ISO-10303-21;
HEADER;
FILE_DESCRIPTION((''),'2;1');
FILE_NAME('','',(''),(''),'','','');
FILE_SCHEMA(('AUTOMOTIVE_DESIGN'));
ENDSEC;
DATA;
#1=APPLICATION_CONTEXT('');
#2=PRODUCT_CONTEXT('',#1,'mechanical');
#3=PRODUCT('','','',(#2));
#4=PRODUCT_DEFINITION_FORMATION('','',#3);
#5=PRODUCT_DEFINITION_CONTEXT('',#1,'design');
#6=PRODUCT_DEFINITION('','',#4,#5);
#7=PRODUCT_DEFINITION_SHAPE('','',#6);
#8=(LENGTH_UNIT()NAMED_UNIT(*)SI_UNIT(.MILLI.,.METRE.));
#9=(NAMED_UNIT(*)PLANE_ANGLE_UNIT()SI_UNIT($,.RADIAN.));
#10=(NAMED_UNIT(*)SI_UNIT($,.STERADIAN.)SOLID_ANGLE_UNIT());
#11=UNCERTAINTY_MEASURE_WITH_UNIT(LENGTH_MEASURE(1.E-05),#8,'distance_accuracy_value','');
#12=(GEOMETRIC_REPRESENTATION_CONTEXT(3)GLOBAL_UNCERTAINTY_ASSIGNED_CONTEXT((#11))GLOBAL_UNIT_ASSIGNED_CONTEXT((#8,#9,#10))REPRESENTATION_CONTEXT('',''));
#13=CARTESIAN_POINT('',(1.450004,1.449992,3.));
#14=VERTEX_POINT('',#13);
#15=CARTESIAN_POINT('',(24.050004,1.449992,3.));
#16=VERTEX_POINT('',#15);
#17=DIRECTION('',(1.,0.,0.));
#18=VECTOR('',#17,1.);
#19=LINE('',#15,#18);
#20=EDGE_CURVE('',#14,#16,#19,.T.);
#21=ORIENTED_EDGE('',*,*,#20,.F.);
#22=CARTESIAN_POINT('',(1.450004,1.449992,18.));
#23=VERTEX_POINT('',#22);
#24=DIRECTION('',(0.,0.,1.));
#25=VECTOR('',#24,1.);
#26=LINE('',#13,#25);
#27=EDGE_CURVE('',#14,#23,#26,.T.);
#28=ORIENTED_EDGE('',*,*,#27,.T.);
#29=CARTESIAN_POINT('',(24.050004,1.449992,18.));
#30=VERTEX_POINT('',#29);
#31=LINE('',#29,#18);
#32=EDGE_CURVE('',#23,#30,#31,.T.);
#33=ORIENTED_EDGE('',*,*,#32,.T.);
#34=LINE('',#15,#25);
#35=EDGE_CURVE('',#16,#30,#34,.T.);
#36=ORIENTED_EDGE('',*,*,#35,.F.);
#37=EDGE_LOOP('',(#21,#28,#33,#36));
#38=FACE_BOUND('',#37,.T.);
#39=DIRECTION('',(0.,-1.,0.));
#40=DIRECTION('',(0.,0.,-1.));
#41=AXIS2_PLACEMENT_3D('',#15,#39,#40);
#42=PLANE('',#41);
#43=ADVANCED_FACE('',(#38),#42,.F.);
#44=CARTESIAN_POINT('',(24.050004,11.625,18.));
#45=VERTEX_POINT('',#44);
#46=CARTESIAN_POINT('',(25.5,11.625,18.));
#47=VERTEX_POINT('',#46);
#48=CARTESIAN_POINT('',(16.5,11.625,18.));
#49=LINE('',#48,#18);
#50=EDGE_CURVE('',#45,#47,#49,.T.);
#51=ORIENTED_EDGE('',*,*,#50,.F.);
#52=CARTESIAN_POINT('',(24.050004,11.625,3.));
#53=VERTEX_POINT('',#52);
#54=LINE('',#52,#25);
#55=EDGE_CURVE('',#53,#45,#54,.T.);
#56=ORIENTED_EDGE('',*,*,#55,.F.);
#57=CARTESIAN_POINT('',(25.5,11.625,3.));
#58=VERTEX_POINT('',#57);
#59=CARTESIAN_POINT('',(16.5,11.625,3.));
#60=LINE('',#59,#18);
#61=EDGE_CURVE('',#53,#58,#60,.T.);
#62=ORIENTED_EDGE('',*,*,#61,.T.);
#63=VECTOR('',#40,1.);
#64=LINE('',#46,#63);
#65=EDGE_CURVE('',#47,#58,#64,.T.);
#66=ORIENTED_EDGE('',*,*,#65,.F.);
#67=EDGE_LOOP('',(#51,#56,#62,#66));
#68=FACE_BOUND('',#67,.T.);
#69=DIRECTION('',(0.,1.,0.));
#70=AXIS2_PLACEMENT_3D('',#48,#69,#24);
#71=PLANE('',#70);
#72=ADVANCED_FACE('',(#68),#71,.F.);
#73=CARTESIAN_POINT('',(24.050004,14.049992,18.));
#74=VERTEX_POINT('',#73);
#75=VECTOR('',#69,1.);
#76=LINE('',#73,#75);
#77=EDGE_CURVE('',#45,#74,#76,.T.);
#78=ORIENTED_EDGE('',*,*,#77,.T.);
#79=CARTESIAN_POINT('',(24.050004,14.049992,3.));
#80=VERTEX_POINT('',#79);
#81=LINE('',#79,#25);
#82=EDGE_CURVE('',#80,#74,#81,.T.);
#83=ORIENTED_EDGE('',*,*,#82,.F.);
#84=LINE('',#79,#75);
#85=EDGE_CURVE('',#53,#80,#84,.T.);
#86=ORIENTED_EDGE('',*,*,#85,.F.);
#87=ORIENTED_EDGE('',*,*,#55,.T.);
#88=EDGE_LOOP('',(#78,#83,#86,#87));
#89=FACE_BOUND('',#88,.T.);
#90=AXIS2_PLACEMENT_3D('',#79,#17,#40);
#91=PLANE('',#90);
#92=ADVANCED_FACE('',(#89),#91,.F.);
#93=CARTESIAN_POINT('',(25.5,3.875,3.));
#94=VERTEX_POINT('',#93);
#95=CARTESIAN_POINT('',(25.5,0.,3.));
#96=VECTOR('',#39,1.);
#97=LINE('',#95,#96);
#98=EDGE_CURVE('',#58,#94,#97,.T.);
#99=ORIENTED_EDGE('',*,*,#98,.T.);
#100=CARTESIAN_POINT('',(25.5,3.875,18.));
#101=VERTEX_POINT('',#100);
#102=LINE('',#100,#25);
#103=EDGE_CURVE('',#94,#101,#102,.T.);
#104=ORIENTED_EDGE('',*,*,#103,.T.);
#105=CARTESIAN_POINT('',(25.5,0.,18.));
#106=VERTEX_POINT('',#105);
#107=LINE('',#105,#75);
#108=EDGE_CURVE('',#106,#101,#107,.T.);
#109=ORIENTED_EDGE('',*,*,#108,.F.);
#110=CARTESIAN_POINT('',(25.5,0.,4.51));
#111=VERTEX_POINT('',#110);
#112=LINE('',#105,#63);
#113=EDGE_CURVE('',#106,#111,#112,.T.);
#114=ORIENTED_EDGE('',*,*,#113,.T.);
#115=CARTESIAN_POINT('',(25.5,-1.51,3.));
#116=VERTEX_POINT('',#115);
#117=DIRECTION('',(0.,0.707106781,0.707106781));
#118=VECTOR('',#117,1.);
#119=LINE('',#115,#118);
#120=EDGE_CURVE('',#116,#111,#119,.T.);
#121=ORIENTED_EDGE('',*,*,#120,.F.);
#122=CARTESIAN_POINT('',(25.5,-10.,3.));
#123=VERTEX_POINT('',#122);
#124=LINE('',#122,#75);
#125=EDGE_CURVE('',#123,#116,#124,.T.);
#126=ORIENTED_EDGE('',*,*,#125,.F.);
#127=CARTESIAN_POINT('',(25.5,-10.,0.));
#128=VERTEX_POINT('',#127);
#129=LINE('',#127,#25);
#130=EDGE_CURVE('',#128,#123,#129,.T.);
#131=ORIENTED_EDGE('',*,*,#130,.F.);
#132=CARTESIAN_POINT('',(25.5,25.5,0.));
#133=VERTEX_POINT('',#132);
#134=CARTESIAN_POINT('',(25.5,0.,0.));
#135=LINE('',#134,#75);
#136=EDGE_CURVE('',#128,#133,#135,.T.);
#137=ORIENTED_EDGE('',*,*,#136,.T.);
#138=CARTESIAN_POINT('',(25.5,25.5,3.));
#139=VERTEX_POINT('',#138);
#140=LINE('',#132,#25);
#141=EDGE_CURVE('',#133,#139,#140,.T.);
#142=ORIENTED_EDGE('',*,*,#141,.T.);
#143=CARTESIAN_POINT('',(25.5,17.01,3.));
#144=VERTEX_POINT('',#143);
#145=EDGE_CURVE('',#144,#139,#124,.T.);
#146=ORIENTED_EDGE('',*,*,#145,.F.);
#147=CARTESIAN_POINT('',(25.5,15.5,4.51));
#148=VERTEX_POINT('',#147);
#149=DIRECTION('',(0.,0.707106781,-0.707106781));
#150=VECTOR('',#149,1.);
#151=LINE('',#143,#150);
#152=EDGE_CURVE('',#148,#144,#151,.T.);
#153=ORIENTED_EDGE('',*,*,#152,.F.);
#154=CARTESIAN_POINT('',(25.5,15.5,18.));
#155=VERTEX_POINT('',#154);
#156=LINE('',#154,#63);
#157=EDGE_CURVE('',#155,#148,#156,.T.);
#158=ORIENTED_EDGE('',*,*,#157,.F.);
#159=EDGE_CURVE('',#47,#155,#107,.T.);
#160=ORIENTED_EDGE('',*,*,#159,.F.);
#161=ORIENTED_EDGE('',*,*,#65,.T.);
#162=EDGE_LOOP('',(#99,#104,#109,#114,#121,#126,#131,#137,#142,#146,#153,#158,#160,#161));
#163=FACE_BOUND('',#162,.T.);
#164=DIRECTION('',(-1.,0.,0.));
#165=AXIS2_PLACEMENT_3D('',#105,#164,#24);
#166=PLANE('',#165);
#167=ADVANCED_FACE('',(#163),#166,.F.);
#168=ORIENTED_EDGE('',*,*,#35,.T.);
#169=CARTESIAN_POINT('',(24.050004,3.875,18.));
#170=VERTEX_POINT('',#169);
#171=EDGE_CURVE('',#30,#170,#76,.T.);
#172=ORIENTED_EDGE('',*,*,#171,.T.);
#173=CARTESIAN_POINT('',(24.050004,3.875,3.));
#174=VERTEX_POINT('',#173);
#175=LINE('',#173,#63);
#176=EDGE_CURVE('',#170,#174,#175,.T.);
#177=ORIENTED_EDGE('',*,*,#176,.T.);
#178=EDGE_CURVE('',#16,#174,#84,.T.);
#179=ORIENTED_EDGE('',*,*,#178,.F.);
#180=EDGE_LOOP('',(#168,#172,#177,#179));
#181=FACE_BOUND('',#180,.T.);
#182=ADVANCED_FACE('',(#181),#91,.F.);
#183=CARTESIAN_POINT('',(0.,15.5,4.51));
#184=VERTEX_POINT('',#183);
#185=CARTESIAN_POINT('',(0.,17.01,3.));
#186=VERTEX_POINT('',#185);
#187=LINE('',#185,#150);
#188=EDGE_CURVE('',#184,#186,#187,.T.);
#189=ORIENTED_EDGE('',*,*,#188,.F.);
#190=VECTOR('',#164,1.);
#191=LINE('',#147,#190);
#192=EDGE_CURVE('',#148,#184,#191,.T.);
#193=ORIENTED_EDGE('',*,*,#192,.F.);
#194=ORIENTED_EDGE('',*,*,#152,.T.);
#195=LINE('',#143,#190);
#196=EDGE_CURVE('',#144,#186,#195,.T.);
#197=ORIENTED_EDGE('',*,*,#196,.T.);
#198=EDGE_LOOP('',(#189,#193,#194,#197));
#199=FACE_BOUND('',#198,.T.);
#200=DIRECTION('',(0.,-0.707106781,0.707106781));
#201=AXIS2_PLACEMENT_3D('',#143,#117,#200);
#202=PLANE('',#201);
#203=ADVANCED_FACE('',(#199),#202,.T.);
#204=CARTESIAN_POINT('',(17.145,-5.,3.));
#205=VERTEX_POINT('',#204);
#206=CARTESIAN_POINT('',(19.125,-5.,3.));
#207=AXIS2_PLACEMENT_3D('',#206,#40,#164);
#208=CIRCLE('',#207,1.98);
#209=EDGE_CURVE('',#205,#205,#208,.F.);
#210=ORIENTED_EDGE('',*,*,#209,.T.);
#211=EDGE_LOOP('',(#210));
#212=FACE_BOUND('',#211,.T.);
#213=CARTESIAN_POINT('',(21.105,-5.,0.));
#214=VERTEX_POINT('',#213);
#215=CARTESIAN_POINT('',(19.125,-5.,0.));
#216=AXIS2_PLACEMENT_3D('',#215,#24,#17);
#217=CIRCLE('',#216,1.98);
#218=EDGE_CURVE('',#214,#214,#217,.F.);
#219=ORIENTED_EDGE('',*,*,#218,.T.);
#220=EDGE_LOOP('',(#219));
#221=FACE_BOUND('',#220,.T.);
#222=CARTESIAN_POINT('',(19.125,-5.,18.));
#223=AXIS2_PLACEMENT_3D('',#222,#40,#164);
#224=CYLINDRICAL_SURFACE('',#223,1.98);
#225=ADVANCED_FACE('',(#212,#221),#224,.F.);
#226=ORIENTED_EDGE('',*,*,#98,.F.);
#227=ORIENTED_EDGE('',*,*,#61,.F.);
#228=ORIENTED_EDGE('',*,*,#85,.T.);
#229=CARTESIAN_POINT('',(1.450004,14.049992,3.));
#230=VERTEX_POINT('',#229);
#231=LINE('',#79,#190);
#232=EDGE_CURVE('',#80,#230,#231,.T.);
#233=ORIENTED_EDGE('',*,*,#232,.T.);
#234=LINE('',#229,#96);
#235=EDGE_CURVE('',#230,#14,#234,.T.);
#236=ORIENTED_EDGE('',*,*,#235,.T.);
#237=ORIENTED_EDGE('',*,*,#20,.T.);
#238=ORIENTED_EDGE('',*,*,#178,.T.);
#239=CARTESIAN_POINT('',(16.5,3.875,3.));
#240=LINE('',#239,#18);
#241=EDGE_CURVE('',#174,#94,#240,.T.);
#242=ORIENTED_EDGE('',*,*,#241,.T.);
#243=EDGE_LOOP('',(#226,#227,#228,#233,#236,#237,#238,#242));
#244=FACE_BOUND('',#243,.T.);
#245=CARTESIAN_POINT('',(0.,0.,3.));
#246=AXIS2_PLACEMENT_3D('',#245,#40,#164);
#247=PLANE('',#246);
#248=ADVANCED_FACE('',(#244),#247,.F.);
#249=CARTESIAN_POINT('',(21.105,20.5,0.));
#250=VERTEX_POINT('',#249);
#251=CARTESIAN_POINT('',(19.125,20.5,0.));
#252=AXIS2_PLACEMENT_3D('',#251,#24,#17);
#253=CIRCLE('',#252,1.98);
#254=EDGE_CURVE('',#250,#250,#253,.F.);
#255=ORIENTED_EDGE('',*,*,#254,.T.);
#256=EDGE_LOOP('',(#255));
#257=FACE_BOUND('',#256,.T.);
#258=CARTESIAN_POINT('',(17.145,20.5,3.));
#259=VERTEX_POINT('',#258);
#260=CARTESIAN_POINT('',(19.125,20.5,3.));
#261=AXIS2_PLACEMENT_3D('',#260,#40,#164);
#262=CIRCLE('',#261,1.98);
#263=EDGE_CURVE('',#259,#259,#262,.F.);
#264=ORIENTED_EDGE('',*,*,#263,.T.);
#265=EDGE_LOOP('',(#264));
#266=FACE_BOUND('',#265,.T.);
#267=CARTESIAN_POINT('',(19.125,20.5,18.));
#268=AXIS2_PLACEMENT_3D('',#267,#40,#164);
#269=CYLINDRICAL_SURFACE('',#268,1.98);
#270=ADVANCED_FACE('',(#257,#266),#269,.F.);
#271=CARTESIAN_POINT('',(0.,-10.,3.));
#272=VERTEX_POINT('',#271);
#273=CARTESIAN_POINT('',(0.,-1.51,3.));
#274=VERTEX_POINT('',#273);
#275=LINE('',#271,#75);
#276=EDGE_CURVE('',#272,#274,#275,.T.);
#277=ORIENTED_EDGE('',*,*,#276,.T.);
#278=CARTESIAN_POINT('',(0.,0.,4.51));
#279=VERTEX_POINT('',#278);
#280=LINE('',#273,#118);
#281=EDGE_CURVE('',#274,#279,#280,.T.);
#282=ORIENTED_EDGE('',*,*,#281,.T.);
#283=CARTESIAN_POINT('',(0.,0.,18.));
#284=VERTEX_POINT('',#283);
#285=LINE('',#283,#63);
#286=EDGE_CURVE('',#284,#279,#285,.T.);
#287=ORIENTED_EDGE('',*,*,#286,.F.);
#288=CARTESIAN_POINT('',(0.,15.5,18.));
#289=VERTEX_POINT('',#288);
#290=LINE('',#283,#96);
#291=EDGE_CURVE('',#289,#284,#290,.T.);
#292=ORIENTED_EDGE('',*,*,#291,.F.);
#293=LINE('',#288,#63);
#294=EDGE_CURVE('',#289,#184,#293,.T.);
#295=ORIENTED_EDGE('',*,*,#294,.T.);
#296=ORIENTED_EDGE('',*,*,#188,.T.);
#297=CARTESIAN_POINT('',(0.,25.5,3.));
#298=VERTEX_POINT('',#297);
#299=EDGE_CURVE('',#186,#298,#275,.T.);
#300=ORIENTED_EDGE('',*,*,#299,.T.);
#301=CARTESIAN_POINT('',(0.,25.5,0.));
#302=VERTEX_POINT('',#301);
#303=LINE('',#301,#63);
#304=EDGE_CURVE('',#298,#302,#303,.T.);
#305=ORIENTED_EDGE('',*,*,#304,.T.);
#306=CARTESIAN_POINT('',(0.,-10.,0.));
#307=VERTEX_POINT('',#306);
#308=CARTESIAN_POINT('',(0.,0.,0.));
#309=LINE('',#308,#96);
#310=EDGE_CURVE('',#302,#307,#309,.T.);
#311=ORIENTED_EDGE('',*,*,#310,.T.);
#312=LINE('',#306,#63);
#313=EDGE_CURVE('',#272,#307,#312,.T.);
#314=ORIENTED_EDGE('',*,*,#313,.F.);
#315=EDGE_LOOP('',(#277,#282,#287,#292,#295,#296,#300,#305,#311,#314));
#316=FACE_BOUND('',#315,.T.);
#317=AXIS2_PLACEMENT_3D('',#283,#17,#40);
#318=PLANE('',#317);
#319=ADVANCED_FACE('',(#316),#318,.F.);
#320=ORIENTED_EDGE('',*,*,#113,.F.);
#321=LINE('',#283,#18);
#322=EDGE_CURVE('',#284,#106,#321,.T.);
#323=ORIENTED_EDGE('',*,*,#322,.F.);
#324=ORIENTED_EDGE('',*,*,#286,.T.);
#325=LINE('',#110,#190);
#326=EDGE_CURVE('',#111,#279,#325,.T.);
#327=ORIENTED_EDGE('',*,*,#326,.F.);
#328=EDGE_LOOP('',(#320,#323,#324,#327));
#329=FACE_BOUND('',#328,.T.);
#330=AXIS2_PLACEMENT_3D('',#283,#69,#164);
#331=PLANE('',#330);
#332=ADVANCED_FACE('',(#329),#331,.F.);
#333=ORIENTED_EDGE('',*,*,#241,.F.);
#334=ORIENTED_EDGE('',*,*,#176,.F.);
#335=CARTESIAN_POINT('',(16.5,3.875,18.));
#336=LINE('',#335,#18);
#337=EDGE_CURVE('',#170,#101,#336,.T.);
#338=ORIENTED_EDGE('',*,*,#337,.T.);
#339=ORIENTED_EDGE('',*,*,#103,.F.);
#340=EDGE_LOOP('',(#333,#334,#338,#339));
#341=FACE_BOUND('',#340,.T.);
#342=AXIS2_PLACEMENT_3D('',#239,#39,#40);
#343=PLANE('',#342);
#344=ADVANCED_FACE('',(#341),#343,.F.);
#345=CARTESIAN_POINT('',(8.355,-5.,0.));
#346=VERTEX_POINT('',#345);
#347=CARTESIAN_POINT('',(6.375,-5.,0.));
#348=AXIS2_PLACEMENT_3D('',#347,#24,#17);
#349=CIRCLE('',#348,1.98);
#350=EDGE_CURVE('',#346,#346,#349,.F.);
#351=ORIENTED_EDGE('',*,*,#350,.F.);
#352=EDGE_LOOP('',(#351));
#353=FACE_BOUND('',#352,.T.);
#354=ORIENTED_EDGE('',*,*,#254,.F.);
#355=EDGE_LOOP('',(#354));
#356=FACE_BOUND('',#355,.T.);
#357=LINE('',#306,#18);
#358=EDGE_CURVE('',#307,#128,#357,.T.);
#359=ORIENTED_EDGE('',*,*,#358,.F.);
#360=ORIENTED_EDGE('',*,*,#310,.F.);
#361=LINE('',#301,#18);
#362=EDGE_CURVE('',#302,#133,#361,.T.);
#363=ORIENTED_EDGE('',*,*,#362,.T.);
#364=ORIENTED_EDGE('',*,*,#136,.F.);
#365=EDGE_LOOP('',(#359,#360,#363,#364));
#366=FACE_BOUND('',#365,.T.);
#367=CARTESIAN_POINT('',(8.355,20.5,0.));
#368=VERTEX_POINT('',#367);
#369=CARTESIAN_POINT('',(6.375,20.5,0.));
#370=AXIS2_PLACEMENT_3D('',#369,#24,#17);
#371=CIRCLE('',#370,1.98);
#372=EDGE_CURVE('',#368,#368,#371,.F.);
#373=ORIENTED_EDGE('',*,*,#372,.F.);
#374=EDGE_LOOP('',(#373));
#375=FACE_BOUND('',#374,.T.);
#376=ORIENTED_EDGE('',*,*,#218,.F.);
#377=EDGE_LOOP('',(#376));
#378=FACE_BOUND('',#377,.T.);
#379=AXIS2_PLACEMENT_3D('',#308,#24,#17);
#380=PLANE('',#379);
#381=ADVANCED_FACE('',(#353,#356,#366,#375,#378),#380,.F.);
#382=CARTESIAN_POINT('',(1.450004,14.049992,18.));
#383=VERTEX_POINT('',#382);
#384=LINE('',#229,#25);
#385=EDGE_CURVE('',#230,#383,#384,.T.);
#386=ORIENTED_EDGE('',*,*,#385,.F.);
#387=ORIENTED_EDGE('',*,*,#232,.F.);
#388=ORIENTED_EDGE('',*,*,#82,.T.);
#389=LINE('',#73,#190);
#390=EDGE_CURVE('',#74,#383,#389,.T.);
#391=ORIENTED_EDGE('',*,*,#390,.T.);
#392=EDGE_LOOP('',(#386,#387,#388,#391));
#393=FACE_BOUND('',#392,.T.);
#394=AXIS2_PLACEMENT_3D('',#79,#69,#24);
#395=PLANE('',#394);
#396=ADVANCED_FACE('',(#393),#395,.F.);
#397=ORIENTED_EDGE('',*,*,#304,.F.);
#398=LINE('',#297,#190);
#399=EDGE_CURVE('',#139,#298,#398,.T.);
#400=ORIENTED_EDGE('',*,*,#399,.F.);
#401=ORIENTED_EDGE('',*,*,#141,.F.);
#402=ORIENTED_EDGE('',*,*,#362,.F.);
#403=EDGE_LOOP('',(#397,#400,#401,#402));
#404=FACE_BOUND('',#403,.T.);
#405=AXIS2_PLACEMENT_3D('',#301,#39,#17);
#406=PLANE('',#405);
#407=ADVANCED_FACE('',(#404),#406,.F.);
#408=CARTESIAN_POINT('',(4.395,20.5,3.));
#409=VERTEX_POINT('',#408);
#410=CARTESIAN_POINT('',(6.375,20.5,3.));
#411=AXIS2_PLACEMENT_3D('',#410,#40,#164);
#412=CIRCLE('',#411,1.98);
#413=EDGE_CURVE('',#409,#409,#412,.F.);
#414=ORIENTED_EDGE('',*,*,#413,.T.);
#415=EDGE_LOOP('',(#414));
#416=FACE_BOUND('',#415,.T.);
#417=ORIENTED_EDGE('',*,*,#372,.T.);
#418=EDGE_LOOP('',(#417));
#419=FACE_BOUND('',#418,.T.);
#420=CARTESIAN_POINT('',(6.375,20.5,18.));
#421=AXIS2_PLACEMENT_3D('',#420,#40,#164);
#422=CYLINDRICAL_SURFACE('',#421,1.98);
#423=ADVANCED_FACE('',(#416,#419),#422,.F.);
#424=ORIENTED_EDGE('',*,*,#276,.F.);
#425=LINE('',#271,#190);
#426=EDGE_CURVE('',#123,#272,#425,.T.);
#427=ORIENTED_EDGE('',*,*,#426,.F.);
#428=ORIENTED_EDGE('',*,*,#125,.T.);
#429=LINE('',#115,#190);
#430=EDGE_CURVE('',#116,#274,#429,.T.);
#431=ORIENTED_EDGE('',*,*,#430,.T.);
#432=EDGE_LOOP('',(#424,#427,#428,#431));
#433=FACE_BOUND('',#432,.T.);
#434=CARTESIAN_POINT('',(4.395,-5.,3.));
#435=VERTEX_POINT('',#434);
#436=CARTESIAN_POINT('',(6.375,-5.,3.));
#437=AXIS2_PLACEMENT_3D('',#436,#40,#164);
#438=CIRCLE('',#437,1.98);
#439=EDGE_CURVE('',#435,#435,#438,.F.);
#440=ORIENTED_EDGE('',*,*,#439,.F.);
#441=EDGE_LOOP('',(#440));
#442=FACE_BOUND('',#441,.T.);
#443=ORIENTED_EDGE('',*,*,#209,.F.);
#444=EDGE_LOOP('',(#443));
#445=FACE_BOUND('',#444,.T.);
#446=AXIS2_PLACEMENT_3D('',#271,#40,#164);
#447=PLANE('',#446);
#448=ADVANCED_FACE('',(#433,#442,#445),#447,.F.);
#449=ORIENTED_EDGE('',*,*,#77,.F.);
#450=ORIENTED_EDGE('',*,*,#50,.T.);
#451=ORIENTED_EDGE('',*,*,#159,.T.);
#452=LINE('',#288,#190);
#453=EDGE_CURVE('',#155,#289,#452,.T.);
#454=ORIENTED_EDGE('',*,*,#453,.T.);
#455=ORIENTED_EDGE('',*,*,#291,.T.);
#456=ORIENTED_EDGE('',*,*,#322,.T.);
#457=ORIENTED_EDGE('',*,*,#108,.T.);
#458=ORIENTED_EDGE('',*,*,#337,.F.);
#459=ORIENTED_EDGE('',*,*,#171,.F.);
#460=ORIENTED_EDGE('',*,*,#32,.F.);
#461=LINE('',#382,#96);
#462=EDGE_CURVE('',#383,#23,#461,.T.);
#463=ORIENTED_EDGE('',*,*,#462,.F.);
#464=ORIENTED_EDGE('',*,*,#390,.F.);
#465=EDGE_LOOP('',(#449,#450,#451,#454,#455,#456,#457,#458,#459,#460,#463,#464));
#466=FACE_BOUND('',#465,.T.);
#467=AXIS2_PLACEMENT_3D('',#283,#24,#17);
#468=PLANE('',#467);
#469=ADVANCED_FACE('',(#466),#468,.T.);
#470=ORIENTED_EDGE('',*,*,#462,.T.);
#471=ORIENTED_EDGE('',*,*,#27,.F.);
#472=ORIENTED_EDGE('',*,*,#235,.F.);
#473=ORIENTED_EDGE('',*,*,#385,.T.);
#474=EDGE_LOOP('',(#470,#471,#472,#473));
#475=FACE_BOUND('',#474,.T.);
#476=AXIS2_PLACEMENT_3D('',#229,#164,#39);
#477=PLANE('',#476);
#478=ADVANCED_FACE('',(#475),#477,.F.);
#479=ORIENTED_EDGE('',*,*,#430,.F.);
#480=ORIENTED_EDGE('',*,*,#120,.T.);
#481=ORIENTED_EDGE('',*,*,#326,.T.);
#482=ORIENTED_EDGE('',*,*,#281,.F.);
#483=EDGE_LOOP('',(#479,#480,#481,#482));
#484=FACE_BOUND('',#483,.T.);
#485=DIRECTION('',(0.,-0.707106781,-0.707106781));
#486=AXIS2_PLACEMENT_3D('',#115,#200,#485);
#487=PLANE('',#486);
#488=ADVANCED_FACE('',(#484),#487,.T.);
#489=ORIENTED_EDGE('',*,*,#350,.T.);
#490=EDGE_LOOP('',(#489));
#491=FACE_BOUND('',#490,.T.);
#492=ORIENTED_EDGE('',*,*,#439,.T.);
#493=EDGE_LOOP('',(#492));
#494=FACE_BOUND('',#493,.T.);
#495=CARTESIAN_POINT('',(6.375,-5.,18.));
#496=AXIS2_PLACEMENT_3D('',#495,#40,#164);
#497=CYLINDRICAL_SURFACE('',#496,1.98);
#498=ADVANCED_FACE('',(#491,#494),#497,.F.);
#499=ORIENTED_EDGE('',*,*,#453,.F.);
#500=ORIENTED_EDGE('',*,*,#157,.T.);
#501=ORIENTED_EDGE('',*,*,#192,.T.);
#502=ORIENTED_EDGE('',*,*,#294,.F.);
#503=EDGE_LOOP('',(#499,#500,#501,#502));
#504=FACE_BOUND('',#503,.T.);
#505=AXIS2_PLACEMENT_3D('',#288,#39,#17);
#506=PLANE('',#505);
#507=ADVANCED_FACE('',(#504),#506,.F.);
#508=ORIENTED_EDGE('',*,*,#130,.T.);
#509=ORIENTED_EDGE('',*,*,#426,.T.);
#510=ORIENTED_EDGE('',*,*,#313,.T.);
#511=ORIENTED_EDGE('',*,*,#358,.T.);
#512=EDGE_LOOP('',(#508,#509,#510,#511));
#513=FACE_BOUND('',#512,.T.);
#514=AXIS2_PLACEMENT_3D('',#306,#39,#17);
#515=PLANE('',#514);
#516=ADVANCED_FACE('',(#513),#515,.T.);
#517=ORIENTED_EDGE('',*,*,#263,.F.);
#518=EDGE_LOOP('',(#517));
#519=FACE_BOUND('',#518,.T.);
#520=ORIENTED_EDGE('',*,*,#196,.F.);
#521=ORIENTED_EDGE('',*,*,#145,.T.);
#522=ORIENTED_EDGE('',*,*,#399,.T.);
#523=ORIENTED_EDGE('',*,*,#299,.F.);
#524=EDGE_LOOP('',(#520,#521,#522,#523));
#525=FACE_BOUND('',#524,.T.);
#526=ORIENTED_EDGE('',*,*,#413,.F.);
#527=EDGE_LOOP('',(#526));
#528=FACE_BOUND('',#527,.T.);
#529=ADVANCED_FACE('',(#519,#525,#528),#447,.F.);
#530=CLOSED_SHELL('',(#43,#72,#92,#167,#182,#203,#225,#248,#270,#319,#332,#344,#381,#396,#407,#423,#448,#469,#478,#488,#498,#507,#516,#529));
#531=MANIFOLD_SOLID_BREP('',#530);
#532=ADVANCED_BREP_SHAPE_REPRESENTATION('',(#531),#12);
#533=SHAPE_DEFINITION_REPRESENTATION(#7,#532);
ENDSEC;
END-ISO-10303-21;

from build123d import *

# Parameters (mm, degrees)
SKETCH3_W                = 25.5
SKETCH3_H                = 15.5
BOSS_EXTRUDE2_DEPTH      = 18
SKETCH4_W                = 22.6
SKETCH4_H                = 12.6
CUT_EXTRUDE1_DEPTH       = 15
SKETCH7_W                = 25.5
SKETCH7_H                = 3
BOSS_EXTRUDE4_DEPTH      = 10
BOSS_EXTRUDE4_DEPTH_BACK = 25.5
SKETCH8_R                = 1.98
CUT_EXTRUDE2_DEPTH       = 16
CUT_EXTRUDE2_DEPTH_BACK  = 31
BOSS_EXTRUDE5_DEPTH      = 25.5
SKETCH10_W               = 15
SKETCH10_H               = 7.75
CUT_EXTRUDE3_DEPTH       = 5
CUT_EXTRUDE3_DEPTH_BACK  = 9


with BuildPart() as part:
    # Sketch3 → Boss-Extrude2 (new body)
    with BuildSketch(Plane.XY):
        with Locations((12.75, 7.75)):
            Rectangle(SKETCH3_W, SKETCH3_H)
    extrude(amount=BOSS_EXTRUDE2_DEPTH)

    # Sketch4 → Cut-Extrude1 (cut)
    with BuildSketch(Plane.XY.offset(18)):
        with Locations((12.750003743, 7.749991635)):
            Rectangle(SKETCH4_W, SKETCH4_H)
    extrude(amount=-CUT_EXTRUDE1_DEPTH, mode=Mode.SUBTRACT)

    # Sketch7 → Boss-Extrude4 (add, two sides)
    with BuildSketch(Plane.XZ) as boss_extrude4_sk:
        with Locations((12.75, 1.5)):
            Rectangle(SKETCH7_W, SKETCH7_H)
    extrude(amount=BOSS_EXTRUDE4_DEPTH)
    extrude(boss_extrude4_sk.sketch, amount=-BOSS_EXTRUDE4_DEPTH_BACK)

    # Sketch8 → Cut-Extrude2 (cut, two sides)
    with BuildSketch(Plane.XY.offset(3)) as cut_extrude2_sk:
        with Locations((19.125, 20.5)):
            Circle(SKETCH8_R)
        with Locations((6.375, -5)):
            Circle(SKETCH8_R)
        with Locations((6.375, 20.5)):
            Circle(SKETCH8_R)
        with Locations((19.125, -5)):
            Circle(SKETCH8_R)
    extrude(amount=CUT_EXTRUDE2_DEPTH, mode=Mode.SUBTRACT)
    extrude(cut_extrude2_sk.sketch, amount=-CUT_EXTRUDE2_DEPTH_BACK, mode=Mode.SUBTRACT)

    # Sketch9 → Boss-Extrude5 (add)
    with BuildSketch(Plane.ZY):
        Polygon((3, 17.01), (3, 15.5), (4.51, 15.5), align=None)
        Polygon((4.51, 0), (3, 0), (3, -1.51), align=None)
    extrude(amount=-BOSS_EXTRUDE5_DEPTH)

    # Sketch10 → Cut-Extrude3 (cut, two sides)
    with BuildSketch(Plane(origin=(25.5, 0, 0), x_dir=(0, 0, -1), z_dir=(1, 0, 0))) as cut_extrude3_sk:
        with Locations((-10.5, 7.75)):
            Rectangle(SKETCH10_W, SKETCH10_H)
    extrude(amount=CUT_EXTRUDE3_DEPTH, mode=Mode.SUBTRACT)
    extrude(cut_extrude3_sk.sketch, amount=-CUT_EXTRUDE3_DEPTH_BACK, mode=Mode.SUBTRACT)


solid = part.part
